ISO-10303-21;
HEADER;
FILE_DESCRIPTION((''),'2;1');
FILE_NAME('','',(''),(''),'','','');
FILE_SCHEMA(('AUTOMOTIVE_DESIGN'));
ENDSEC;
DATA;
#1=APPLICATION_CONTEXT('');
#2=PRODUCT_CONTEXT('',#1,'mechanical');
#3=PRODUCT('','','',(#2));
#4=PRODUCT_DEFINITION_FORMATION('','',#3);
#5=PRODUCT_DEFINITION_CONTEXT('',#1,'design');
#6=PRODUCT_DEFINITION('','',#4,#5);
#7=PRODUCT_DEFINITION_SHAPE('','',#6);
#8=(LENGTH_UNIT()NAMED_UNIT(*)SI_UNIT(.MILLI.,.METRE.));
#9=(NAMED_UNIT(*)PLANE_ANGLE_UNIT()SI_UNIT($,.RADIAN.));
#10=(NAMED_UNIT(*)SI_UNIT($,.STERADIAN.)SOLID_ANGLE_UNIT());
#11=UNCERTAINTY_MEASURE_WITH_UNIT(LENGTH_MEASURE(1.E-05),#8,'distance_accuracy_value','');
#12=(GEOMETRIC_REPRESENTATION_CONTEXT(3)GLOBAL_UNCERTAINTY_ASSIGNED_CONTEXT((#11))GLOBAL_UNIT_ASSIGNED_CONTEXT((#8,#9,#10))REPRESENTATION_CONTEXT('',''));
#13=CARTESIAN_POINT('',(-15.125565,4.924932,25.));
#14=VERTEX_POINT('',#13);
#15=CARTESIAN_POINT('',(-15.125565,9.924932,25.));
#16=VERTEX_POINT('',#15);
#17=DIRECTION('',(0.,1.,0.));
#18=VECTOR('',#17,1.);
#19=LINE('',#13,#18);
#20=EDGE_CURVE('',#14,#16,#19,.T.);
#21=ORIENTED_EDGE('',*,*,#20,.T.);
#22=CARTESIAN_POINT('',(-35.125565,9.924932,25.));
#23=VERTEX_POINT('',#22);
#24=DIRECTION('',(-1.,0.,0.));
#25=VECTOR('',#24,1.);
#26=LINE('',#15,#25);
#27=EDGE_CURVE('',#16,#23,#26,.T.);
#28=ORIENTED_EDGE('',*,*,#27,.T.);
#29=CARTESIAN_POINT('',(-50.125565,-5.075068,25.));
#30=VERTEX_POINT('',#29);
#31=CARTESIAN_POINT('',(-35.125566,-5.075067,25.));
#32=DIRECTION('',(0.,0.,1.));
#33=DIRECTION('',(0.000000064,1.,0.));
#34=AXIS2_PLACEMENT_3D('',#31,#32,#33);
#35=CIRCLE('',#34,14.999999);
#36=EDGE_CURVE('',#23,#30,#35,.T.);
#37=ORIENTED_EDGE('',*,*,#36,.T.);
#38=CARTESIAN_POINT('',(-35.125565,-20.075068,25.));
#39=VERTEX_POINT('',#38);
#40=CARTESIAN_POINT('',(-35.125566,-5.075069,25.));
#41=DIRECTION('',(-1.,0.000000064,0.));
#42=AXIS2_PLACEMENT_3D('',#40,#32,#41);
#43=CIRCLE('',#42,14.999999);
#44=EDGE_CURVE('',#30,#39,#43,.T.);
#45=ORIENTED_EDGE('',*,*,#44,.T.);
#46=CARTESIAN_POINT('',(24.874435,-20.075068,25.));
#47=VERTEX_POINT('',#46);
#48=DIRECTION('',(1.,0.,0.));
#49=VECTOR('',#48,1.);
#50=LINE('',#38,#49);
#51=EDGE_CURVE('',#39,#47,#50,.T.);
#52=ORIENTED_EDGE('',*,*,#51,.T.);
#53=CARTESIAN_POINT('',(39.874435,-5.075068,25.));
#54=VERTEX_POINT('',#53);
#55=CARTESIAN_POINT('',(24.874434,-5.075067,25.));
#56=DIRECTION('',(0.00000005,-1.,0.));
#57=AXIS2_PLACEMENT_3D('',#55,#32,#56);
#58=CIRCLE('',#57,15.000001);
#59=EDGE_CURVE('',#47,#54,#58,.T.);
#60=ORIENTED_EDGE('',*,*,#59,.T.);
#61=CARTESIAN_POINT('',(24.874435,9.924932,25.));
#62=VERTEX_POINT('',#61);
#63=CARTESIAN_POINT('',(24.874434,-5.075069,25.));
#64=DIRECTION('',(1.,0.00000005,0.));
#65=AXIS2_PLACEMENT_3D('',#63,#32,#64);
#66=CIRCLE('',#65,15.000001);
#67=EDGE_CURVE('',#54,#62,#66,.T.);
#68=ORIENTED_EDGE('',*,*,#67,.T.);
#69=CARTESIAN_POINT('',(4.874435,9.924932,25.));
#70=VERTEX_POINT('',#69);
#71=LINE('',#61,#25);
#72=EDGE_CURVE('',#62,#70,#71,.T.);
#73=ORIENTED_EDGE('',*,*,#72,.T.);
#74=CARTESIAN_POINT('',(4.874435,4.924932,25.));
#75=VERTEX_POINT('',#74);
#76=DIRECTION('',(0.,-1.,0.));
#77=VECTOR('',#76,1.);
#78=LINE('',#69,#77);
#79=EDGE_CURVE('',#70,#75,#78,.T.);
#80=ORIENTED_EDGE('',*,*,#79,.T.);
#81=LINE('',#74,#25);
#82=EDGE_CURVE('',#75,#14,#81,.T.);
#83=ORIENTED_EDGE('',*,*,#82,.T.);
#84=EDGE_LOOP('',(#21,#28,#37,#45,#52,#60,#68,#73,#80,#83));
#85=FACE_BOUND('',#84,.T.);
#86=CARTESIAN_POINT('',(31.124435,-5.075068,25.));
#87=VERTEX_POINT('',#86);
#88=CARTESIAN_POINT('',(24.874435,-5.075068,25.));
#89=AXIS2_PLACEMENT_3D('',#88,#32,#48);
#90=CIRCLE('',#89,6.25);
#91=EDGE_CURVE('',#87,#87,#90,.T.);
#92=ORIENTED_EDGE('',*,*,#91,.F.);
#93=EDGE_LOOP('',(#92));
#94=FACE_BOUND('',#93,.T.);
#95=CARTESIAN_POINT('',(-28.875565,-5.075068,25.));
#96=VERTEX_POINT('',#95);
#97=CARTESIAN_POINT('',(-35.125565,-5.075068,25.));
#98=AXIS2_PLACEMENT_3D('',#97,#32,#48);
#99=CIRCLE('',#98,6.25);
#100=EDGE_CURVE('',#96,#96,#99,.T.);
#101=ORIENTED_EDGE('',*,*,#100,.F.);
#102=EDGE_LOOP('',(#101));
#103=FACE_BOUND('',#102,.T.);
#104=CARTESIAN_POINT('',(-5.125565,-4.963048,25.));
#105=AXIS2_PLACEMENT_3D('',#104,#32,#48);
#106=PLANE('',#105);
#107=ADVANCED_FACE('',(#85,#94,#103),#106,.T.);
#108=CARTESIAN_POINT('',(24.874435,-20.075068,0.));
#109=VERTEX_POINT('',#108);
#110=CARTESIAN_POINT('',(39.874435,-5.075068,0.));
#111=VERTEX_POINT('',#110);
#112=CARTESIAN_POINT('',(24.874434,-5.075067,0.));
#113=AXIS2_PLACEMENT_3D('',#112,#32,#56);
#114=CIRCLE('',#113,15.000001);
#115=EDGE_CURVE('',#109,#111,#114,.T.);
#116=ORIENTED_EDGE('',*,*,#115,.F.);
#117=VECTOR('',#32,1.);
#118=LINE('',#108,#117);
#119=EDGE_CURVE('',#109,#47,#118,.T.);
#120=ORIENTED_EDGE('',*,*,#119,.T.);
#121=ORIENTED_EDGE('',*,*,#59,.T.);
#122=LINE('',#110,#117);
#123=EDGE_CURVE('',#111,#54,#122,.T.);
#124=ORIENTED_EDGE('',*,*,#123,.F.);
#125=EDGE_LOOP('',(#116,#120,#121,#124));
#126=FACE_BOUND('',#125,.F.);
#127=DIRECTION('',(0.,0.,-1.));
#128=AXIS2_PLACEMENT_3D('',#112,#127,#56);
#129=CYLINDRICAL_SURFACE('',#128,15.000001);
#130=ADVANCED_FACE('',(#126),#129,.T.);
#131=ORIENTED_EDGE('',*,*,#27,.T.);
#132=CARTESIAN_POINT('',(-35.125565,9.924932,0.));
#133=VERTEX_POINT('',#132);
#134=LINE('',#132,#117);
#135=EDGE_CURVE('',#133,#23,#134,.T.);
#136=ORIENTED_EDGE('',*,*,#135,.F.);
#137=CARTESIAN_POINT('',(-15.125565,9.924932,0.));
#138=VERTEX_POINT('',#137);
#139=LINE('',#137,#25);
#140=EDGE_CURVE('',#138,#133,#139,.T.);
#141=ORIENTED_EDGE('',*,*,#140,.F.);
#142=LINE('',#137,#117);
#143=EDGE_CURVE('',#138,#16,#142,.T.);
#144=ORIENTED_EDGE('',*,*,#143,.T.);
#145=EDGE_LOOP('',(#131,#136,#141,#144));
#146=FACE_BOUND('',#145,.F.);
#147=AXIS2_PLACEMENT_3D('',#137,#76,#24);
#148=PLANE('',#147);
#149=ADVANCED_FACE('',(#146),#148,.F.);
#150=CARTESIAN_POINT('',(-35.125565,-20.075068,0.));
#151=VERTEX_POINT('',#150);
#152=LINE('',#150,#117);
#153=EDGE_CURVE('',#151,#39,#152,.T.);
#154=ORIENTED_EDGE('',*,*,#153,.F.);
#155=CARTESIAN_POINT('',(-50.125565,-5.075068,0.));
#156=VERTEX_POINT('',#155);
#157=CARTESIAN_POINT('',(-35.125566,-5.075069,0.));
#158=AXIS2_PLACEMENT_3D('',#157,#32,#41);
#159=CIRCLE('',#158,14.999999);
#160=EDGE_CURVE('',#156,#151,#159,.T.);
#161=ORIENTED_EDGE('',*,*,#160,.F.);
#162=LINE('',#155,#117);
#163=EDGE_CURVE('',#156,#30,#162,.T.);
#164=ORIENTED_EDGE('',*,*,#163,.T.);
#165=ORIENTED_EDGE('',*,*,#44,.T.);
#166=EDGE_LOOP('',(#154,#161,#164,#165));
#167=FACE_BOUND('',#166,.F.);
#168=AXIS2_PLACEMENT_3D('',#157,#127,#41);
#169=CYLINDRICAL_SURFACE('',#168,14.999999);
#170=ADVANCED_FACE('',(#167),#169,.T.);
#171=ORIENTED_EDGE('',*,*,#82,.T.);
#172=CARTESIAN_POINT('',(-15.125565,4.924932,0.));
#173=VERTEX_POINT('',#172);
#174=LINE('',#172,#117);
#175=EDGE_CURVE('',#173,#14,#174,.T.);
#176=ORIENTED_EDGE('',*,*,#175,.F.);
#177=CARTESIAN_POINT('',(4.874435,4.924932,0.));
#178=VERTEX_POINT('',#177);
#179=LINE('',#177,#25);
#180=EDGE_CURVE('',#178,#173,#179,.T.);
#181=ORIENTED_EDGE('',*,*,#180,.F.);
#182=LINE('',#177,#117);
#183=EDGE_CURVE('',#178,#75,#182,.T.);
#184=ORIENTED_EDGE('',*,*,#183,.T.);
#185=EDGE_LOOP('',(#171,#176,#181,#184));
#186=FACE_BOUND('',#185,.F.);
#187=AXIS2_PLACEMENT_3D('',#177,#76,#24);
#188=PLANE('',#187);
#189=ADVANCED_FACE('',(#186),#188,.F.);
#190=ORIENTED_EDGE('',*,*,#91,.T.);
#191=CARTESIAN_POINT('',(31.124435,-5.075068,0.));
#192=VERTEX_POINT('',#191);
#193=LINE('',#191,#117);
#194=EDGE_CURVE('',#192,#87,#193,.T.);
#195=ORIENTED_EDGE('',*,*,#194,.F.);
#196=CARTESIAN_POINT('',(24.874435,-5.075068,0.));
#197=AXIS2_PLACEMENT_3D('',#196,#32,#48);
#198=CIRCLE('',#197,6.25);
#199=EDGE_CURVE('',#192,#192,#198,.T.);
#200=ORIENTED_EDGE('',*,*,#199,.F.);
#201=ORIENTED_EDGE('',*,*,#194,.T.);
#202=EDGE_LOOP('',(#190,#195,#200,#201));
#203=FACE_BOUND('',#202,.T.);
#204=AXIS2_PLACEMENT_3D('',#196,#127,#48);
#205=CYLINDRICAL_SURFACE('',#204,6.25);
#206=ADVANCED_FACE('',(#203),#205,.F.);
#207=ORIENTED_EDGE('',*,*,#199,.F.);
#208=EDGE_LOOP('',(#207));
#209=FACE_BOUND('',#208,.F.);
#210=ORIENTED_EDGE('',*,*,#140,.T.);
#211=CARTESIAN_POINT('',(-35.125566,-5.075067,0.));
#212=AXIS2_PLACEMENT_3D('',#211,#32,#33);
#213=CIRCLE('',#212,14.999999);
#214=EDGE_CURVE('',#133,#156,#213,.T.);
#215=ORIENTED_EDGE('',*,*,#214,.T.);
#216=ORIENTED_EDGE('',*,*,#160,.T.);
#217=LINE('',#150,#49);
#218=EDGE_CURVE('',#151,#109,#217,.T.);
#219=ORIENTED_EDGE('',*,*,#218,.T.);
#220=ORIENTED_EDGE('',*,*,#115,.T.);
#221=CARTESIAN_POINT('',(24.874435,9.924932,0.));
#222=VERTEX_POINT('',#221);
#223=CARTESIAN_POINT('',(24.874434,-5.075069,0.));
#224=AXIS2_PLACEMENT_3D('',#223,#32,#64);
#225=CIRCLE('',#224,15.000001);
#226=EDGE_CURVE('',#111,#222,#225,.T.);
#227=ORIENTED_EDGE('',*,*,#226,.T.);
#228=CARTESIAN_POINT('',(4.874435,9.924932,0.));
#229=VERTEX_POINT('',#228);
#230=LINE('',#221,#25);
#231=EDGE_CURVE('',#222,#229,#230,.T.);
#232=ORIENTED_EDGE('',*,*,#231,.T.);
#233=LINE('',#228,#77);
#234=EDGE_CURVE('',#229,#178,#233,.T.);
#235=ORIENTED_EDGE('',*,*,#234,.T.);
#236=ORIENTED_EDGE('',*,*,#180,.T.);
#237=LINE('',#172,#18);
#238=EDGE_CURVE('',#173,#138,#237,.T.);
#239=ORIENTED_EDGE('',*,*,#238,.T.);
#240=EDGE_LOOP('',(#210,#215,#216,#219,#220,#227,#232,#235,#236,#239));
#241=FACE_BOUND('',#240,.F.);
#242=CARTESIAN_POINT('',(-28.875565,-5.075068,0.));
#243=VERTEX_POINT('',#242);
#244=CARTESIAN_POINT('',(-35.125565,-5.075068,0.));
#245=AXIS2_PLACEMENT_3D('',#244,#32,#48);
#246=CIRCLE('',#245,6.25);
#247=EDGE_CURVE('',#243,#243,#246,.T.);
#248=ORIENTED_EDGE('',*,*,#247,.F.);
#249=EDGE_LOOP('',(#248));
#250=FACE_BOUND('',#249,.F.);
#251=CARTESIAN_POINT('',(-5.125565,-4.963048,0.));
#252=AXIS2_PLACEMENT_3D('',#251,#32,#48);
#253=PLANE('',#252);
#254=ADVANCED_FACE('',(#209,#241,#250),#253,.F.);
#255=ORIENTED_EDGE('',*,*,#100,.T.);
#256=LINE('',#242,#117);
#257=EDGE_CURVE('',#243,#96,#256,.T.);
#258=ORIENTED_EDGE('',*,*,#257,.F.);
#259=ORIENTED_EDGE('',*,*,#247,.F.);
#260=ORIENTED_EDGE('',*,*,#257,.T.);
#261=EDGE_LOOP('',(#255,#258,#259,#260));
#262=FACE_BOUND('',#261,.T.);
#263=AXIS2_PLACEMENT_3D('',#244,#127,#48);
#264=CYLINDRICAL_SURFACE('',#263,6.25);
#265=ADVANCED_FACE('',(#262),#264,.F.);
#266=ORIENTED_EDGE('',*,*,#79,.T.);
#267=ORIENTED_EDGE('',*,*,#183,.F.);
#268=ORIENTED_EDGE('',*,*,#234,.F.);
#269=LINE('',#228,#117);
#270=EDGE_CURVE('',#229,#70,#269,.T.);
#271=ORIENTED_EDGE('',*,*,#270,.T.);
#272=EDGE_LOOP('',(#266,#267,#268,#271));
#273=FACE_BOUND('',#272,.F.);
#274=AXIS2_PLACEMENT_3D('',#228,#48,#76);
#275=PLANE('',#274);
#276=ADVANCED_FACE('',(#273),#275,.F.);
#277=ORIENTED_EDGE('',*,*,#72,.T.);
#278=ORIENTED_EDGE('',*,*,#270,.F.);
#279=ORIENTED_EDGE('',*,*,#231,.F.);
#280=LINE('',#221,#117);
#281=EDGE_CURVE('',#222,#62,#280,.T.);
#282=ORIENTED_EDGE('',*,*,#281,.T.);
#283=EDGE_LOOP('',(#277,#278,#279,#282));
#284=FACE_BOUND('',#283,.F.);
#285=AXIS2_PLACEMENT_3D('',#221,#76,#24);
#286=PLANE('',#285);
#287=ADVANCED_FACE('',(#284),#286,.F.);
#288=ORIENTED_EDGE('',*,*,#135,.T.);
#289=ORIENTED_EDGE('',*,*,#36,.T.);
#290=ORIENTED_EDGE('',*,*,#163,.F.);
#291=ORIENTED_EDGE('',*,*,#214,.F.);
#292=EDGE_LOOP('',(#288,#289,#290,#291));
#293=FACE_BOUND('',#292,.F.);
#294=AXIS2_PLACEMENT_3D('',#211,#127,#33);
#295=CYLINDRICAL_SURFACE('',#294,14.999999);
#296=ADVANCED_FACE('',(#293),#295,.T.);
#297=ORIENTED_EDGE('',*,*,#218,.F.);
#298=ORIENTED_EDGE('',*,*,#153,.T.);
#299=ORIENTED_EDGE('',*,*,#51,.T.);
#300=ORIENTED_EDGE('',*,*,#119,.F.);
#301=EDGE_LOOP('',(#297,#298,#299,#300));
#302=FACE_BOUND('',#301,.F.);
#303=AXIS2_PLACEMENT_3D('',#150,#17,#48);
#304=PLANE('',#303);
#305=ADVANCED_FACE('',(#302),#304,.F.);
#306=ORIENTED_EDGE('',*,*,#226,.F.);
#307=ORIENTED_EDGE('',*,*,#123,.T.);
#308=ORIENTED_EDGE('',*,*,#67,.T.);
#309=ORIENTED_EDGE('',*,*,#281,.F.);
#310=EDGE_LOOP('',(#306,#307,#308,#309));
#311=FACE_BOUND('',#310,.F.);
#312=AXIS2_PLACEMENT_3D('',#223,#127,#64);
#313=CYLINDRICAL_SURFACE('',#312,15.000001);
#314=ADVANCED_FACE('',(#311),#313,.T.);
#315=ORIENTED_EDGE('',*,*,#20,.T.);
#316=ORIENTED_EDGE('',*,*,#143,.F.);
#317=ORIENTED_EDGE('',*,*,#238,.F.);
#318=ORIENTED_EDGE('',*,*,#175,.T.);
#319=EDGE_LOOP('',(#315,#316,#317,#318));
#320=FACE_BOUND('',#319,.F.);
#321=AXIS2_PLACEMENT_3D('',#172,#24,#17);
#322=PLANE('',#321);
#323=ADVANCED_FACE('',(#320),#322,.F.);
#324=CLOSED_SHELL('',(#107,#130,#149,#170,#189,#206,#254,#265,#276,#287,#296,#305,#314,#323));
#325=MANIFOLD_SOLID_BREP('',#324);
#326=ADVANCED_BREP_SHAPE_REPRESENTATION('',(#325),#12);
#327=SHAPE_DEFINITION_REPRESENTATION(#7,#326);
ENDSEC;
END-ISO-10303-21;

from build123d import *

# Parameters (mm, degrees)
F0_R     = 6.25
F1_DEPTH = 25


with BuildPart() as f1:
    # F0 (on Top) → F1 (new body)
    with BuildSketch(Plane.XY):
        with BuildLine():
            ThreePointArc((-50.125565, -5.075068), (-45.732167, -15.68167), (-35.125565, -20.075068))
            Line((-35.125565, -20.075068), (24.874435, -20.075068))
            ThreePointArc((24.874435, -20.075068), (35.481036, -15.68167), (39.874435, -5.075068))
            ThreePointArc((39.874435, -5.075068), (35.481036, 5.531534), (24.874435, 9.924932))
            Line((24.874435, 9.924932), (4.874435, 9.924932))
            Line((4.874435, 9.924932), (4.874435, 4.924932))
            Line((4.874435, 4.924932), (-15.125565, 4.924932))
            Line((-15.125565, 4.924932), (-15.125565, 9.924932))
            Line((-15.125565, 9.924932), (-35.125565, 9.924932))
            ThreePointArc((-35.125565, 9.924932), (-45.732167, 5.531534), (-50.125565, -5.075068))
        make_face()
        with Locations((-35.125565, -5.075068)):
            Circle(F0_R, mode=Mode.SUBTRACT)
        with Locations((24.874435, -5.075068)):
            Circle(F0_R, mode=Mode.SUBTRACT)
    extrude(amount=F1_DEPTH)


solid = f1.part
